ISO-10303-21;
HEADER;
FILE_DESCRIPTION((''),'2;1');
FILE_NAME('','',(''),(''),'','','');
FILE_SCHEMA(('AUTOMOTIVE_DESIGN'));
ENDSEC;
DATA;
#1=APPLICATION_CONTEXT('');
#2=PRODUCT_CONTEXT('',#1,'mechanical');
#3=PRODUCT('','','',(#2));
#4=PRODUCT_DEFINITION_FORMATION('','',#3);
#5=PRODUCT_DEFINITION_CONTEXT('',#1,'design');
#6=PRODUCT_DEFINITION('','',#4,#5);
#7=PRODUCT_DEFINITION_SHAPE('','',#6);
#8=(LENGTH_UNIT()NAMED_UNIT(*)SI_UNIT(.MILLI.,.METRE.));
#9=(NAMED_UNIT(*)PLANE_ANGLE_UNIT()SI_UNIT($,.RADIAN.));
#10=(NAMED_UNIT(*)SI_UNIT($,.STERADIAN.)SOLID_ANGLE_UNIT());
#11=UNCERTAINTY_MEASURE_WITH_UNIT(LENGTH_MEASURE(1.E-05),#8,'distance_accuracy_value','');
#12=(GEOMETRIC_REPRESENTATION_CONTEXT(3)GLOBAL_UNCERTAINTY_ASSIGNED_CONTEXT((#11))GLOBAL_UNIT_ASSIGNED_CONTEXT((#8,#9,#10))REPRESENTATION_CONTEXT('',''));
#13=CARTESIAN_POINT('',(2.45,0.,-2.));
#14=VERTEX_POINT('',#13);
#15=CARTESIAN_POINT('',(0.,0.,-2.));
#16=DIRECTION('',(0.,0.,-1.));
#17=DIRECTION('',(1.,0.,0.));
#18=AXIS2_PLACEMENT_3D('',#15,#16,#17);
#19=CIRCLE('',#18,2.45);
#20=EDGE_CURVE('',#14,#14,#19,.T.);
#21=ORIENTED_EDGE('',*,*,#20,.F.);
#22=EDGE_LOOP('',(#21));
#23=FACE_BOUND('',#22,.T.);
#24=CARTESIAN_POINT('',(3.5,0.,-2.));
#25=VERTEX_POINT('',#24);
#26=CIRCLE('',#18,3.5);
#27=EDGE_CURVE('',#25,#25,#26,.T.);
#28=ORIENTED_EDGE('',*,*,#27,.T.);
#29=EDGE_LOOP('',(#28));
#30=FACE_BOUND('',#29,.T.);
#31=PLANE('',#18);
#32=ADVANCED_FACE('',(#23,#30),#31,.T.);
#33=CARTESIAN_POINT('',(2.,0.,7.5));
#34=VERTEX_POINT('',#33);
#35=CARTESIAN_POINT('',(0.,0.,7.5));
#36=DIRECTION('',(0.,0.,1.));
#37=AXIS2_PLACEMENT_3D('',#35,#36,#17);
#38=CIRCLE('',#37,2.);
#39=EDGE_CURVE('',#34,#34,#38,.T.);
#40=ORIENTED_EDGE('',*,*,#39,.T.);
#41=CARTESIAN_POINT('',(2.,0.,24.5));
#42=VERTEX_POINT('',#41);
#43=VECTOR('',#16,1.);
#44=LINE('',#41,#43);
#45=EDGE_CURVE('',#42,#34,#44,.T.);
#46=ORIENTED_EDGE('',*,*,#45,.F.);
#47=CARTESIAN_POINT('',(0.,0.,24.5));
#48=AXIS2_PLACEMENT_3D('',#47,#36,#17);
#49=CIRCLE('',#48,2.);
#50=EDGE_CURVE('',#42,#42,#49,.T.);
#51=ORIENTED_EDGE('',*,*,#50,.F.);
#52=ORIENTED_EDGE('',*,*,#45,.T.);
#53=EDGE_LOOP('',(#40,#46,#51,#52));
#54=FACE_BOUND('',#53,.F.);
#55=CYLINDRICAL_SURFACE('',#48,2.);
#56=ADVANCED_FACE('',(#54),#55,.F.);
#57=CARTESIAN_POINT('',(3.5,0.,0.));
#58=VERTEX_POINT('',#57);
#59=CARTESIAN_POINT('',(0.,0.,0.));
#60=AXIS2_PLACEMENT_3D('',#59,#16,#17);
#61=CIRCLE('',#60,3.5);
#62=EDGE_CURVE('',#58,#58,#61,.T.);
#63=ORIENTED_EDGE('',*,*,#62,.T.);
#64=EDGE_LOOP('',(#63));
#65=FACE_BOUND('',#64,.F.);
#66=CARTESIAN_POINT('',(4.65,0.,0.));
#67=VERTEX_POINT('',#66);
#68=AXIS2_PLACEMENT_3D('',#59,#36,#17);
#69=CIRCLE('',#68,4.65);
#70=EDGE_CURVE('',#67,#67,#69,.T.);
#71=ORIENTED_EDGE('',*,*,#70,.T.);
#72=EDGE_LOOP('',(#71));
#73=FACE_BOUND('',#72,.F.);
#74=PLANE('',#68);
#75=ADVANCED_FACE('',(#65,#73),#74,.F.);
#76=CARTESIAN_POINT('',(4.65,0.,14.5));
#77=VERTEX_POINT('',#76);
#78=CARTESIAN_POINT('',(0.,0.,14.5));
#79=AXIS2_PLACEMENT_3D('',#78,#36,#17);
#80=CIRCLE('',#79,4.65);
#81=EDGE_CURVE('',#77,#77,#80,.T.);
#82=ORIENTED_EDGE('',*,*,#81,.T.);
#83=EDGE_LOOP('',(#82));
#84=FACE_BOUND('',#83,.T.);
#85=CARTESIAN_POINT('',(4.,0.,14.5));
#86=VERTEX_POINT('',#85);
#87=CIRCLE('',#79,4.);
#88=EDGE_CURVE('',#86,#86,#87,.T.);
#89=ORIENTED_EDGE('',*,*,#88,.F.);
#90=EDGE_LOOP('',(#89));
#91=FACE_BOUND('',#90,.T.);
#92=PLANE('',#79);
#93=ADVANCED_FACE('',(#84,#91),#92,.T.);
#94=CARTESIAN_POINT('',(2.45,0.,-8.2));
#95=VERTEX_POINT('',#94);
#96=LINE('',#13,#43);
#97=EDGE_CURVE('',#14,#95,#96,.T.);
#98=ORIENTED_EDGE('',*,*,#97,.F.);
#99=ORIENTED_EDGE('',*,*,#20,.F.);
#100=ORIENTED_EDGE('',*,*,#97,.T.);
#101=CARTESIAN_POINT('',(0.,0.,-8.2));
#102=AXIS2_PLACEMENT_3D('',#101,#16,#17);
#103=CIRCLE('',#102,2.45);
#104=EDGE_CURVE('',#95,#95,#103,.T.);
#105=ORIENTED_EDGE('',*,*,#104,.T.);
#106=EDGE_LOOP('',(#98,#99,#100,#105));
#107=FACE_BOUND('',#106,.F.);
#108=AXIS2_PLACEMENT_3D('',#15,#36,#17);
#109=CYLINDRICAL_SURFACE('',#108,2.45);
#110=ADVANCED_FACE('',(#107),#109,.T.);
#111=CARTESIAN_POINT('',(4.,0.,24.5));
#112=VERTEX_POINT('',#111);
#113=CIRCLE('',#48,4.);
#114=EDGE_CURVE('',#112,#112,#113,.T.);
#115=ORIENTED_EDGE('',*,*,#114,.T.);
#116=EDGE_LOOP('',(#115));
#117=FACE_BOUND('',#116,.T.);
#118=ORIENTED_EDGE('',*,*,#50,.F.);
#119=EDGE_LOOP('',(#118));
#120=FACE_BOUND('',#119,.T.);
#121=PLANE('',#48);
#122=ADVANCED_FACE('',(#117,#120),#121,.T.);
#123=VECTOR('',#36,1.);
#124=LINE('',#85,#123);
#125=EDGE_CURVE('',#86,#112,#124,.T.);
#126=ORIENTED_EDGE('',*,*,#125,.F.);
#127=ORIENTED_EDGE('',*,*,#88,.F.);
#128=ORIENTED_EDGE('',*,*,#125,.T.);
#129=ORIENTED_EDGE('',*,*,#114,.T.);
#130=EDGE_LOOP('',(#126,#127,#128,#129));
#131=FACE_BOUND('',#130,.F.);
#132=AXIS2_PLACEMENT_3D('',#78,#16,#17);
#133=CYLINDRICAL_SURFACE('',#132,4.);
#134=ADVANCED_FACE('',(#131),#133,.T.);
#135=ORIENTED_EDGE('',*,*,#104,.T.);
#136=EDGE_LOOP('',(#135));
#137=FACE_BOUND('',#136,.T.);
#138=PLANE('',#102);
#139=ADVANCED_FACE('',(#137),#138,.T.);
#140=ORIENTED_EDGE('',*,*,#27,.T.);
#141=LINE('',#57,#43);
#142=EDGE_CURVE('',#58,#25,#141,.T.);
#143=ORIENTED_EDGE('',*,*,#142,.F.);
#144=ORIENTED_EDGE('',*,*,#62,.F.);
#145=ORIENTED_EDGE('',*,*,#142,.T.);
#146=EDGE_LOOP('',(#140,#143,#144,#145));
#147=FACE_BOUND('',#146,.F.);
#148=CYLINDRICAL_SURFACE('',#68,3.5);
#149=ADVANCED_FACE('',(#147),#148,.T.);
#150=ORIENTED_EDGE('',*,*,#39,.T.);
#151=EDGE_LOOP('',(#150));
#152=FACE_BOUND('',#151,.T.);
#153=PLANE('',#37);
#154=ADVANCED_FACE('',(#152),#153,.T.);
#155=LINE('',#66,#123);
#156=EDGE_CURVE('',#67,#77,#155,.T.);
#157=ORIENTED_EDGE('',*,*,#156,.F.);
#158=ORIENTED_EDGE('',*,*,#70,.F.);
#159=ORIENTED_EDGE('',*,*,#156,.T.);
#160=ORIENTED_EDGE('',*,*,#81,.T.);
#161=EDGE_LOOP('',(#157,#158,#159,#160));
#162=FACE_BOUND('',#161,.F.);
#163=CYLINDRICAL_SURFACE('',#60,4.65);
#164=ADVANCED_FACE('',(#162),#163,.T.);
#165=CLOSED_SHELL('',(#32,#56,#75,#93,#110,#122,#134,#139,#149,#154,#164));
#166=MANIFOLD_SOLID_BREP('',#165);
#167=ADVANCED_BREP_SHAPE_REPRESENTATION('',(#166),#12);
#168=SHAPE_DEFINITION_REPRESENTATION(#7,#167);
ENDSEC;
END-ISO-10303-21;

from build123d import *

# Parameters (mm, degrees)
F0_R     = 4.65
F1_DEPTH = 14.5
F2_R     = 4
F3_DEPTH = 10
F4_R     = 2
F5_DEPTH = 17
F6_R     = 3.5
F7_DEPTH = 2
F8_R     = 2.45
F9_DEPTH = 6.2


with BuildPart() as f1:
    # F0 (on Top) → F1 (new body)
    with BuildSketch(Plane.XY):
        Circle(F0_R)
    extrude(amount=F1_DEPTH)

    # F2 (on face) → F3 (join)
    with BuildSketch(Plane.XY.offset(14.5)):
        Circle(F2_R)
    extrude(amount=F3_DEPTH)

    # F4 (on face) → F5 (cut)
    with BuildSketch(Plane.XY.offset(24.5)):
        Circle(F4_R)
    extrude(amount=-F5_DEPTH, mode=Mode.SUBTRACT)

    # F6 (on face) → F7 (join)
    with BuildSketch(Plane(origin=(0, 0, 0), x_dir=(1, 0, 0), z_dir=(0, 0, -1))):
        Circle(F6_R)
    extrude(amount=F7_DEPTH)

    # F8 (on face) → F9 (join)
    with BuildSketch(Plane(origin=(0, 0, -2), x_dir=(1, 0, 0), z_dir=(0, 0, -1))):
        Circle(F8_R)
    extrude(amount=F9_DEPTH)


solid = f1.part
